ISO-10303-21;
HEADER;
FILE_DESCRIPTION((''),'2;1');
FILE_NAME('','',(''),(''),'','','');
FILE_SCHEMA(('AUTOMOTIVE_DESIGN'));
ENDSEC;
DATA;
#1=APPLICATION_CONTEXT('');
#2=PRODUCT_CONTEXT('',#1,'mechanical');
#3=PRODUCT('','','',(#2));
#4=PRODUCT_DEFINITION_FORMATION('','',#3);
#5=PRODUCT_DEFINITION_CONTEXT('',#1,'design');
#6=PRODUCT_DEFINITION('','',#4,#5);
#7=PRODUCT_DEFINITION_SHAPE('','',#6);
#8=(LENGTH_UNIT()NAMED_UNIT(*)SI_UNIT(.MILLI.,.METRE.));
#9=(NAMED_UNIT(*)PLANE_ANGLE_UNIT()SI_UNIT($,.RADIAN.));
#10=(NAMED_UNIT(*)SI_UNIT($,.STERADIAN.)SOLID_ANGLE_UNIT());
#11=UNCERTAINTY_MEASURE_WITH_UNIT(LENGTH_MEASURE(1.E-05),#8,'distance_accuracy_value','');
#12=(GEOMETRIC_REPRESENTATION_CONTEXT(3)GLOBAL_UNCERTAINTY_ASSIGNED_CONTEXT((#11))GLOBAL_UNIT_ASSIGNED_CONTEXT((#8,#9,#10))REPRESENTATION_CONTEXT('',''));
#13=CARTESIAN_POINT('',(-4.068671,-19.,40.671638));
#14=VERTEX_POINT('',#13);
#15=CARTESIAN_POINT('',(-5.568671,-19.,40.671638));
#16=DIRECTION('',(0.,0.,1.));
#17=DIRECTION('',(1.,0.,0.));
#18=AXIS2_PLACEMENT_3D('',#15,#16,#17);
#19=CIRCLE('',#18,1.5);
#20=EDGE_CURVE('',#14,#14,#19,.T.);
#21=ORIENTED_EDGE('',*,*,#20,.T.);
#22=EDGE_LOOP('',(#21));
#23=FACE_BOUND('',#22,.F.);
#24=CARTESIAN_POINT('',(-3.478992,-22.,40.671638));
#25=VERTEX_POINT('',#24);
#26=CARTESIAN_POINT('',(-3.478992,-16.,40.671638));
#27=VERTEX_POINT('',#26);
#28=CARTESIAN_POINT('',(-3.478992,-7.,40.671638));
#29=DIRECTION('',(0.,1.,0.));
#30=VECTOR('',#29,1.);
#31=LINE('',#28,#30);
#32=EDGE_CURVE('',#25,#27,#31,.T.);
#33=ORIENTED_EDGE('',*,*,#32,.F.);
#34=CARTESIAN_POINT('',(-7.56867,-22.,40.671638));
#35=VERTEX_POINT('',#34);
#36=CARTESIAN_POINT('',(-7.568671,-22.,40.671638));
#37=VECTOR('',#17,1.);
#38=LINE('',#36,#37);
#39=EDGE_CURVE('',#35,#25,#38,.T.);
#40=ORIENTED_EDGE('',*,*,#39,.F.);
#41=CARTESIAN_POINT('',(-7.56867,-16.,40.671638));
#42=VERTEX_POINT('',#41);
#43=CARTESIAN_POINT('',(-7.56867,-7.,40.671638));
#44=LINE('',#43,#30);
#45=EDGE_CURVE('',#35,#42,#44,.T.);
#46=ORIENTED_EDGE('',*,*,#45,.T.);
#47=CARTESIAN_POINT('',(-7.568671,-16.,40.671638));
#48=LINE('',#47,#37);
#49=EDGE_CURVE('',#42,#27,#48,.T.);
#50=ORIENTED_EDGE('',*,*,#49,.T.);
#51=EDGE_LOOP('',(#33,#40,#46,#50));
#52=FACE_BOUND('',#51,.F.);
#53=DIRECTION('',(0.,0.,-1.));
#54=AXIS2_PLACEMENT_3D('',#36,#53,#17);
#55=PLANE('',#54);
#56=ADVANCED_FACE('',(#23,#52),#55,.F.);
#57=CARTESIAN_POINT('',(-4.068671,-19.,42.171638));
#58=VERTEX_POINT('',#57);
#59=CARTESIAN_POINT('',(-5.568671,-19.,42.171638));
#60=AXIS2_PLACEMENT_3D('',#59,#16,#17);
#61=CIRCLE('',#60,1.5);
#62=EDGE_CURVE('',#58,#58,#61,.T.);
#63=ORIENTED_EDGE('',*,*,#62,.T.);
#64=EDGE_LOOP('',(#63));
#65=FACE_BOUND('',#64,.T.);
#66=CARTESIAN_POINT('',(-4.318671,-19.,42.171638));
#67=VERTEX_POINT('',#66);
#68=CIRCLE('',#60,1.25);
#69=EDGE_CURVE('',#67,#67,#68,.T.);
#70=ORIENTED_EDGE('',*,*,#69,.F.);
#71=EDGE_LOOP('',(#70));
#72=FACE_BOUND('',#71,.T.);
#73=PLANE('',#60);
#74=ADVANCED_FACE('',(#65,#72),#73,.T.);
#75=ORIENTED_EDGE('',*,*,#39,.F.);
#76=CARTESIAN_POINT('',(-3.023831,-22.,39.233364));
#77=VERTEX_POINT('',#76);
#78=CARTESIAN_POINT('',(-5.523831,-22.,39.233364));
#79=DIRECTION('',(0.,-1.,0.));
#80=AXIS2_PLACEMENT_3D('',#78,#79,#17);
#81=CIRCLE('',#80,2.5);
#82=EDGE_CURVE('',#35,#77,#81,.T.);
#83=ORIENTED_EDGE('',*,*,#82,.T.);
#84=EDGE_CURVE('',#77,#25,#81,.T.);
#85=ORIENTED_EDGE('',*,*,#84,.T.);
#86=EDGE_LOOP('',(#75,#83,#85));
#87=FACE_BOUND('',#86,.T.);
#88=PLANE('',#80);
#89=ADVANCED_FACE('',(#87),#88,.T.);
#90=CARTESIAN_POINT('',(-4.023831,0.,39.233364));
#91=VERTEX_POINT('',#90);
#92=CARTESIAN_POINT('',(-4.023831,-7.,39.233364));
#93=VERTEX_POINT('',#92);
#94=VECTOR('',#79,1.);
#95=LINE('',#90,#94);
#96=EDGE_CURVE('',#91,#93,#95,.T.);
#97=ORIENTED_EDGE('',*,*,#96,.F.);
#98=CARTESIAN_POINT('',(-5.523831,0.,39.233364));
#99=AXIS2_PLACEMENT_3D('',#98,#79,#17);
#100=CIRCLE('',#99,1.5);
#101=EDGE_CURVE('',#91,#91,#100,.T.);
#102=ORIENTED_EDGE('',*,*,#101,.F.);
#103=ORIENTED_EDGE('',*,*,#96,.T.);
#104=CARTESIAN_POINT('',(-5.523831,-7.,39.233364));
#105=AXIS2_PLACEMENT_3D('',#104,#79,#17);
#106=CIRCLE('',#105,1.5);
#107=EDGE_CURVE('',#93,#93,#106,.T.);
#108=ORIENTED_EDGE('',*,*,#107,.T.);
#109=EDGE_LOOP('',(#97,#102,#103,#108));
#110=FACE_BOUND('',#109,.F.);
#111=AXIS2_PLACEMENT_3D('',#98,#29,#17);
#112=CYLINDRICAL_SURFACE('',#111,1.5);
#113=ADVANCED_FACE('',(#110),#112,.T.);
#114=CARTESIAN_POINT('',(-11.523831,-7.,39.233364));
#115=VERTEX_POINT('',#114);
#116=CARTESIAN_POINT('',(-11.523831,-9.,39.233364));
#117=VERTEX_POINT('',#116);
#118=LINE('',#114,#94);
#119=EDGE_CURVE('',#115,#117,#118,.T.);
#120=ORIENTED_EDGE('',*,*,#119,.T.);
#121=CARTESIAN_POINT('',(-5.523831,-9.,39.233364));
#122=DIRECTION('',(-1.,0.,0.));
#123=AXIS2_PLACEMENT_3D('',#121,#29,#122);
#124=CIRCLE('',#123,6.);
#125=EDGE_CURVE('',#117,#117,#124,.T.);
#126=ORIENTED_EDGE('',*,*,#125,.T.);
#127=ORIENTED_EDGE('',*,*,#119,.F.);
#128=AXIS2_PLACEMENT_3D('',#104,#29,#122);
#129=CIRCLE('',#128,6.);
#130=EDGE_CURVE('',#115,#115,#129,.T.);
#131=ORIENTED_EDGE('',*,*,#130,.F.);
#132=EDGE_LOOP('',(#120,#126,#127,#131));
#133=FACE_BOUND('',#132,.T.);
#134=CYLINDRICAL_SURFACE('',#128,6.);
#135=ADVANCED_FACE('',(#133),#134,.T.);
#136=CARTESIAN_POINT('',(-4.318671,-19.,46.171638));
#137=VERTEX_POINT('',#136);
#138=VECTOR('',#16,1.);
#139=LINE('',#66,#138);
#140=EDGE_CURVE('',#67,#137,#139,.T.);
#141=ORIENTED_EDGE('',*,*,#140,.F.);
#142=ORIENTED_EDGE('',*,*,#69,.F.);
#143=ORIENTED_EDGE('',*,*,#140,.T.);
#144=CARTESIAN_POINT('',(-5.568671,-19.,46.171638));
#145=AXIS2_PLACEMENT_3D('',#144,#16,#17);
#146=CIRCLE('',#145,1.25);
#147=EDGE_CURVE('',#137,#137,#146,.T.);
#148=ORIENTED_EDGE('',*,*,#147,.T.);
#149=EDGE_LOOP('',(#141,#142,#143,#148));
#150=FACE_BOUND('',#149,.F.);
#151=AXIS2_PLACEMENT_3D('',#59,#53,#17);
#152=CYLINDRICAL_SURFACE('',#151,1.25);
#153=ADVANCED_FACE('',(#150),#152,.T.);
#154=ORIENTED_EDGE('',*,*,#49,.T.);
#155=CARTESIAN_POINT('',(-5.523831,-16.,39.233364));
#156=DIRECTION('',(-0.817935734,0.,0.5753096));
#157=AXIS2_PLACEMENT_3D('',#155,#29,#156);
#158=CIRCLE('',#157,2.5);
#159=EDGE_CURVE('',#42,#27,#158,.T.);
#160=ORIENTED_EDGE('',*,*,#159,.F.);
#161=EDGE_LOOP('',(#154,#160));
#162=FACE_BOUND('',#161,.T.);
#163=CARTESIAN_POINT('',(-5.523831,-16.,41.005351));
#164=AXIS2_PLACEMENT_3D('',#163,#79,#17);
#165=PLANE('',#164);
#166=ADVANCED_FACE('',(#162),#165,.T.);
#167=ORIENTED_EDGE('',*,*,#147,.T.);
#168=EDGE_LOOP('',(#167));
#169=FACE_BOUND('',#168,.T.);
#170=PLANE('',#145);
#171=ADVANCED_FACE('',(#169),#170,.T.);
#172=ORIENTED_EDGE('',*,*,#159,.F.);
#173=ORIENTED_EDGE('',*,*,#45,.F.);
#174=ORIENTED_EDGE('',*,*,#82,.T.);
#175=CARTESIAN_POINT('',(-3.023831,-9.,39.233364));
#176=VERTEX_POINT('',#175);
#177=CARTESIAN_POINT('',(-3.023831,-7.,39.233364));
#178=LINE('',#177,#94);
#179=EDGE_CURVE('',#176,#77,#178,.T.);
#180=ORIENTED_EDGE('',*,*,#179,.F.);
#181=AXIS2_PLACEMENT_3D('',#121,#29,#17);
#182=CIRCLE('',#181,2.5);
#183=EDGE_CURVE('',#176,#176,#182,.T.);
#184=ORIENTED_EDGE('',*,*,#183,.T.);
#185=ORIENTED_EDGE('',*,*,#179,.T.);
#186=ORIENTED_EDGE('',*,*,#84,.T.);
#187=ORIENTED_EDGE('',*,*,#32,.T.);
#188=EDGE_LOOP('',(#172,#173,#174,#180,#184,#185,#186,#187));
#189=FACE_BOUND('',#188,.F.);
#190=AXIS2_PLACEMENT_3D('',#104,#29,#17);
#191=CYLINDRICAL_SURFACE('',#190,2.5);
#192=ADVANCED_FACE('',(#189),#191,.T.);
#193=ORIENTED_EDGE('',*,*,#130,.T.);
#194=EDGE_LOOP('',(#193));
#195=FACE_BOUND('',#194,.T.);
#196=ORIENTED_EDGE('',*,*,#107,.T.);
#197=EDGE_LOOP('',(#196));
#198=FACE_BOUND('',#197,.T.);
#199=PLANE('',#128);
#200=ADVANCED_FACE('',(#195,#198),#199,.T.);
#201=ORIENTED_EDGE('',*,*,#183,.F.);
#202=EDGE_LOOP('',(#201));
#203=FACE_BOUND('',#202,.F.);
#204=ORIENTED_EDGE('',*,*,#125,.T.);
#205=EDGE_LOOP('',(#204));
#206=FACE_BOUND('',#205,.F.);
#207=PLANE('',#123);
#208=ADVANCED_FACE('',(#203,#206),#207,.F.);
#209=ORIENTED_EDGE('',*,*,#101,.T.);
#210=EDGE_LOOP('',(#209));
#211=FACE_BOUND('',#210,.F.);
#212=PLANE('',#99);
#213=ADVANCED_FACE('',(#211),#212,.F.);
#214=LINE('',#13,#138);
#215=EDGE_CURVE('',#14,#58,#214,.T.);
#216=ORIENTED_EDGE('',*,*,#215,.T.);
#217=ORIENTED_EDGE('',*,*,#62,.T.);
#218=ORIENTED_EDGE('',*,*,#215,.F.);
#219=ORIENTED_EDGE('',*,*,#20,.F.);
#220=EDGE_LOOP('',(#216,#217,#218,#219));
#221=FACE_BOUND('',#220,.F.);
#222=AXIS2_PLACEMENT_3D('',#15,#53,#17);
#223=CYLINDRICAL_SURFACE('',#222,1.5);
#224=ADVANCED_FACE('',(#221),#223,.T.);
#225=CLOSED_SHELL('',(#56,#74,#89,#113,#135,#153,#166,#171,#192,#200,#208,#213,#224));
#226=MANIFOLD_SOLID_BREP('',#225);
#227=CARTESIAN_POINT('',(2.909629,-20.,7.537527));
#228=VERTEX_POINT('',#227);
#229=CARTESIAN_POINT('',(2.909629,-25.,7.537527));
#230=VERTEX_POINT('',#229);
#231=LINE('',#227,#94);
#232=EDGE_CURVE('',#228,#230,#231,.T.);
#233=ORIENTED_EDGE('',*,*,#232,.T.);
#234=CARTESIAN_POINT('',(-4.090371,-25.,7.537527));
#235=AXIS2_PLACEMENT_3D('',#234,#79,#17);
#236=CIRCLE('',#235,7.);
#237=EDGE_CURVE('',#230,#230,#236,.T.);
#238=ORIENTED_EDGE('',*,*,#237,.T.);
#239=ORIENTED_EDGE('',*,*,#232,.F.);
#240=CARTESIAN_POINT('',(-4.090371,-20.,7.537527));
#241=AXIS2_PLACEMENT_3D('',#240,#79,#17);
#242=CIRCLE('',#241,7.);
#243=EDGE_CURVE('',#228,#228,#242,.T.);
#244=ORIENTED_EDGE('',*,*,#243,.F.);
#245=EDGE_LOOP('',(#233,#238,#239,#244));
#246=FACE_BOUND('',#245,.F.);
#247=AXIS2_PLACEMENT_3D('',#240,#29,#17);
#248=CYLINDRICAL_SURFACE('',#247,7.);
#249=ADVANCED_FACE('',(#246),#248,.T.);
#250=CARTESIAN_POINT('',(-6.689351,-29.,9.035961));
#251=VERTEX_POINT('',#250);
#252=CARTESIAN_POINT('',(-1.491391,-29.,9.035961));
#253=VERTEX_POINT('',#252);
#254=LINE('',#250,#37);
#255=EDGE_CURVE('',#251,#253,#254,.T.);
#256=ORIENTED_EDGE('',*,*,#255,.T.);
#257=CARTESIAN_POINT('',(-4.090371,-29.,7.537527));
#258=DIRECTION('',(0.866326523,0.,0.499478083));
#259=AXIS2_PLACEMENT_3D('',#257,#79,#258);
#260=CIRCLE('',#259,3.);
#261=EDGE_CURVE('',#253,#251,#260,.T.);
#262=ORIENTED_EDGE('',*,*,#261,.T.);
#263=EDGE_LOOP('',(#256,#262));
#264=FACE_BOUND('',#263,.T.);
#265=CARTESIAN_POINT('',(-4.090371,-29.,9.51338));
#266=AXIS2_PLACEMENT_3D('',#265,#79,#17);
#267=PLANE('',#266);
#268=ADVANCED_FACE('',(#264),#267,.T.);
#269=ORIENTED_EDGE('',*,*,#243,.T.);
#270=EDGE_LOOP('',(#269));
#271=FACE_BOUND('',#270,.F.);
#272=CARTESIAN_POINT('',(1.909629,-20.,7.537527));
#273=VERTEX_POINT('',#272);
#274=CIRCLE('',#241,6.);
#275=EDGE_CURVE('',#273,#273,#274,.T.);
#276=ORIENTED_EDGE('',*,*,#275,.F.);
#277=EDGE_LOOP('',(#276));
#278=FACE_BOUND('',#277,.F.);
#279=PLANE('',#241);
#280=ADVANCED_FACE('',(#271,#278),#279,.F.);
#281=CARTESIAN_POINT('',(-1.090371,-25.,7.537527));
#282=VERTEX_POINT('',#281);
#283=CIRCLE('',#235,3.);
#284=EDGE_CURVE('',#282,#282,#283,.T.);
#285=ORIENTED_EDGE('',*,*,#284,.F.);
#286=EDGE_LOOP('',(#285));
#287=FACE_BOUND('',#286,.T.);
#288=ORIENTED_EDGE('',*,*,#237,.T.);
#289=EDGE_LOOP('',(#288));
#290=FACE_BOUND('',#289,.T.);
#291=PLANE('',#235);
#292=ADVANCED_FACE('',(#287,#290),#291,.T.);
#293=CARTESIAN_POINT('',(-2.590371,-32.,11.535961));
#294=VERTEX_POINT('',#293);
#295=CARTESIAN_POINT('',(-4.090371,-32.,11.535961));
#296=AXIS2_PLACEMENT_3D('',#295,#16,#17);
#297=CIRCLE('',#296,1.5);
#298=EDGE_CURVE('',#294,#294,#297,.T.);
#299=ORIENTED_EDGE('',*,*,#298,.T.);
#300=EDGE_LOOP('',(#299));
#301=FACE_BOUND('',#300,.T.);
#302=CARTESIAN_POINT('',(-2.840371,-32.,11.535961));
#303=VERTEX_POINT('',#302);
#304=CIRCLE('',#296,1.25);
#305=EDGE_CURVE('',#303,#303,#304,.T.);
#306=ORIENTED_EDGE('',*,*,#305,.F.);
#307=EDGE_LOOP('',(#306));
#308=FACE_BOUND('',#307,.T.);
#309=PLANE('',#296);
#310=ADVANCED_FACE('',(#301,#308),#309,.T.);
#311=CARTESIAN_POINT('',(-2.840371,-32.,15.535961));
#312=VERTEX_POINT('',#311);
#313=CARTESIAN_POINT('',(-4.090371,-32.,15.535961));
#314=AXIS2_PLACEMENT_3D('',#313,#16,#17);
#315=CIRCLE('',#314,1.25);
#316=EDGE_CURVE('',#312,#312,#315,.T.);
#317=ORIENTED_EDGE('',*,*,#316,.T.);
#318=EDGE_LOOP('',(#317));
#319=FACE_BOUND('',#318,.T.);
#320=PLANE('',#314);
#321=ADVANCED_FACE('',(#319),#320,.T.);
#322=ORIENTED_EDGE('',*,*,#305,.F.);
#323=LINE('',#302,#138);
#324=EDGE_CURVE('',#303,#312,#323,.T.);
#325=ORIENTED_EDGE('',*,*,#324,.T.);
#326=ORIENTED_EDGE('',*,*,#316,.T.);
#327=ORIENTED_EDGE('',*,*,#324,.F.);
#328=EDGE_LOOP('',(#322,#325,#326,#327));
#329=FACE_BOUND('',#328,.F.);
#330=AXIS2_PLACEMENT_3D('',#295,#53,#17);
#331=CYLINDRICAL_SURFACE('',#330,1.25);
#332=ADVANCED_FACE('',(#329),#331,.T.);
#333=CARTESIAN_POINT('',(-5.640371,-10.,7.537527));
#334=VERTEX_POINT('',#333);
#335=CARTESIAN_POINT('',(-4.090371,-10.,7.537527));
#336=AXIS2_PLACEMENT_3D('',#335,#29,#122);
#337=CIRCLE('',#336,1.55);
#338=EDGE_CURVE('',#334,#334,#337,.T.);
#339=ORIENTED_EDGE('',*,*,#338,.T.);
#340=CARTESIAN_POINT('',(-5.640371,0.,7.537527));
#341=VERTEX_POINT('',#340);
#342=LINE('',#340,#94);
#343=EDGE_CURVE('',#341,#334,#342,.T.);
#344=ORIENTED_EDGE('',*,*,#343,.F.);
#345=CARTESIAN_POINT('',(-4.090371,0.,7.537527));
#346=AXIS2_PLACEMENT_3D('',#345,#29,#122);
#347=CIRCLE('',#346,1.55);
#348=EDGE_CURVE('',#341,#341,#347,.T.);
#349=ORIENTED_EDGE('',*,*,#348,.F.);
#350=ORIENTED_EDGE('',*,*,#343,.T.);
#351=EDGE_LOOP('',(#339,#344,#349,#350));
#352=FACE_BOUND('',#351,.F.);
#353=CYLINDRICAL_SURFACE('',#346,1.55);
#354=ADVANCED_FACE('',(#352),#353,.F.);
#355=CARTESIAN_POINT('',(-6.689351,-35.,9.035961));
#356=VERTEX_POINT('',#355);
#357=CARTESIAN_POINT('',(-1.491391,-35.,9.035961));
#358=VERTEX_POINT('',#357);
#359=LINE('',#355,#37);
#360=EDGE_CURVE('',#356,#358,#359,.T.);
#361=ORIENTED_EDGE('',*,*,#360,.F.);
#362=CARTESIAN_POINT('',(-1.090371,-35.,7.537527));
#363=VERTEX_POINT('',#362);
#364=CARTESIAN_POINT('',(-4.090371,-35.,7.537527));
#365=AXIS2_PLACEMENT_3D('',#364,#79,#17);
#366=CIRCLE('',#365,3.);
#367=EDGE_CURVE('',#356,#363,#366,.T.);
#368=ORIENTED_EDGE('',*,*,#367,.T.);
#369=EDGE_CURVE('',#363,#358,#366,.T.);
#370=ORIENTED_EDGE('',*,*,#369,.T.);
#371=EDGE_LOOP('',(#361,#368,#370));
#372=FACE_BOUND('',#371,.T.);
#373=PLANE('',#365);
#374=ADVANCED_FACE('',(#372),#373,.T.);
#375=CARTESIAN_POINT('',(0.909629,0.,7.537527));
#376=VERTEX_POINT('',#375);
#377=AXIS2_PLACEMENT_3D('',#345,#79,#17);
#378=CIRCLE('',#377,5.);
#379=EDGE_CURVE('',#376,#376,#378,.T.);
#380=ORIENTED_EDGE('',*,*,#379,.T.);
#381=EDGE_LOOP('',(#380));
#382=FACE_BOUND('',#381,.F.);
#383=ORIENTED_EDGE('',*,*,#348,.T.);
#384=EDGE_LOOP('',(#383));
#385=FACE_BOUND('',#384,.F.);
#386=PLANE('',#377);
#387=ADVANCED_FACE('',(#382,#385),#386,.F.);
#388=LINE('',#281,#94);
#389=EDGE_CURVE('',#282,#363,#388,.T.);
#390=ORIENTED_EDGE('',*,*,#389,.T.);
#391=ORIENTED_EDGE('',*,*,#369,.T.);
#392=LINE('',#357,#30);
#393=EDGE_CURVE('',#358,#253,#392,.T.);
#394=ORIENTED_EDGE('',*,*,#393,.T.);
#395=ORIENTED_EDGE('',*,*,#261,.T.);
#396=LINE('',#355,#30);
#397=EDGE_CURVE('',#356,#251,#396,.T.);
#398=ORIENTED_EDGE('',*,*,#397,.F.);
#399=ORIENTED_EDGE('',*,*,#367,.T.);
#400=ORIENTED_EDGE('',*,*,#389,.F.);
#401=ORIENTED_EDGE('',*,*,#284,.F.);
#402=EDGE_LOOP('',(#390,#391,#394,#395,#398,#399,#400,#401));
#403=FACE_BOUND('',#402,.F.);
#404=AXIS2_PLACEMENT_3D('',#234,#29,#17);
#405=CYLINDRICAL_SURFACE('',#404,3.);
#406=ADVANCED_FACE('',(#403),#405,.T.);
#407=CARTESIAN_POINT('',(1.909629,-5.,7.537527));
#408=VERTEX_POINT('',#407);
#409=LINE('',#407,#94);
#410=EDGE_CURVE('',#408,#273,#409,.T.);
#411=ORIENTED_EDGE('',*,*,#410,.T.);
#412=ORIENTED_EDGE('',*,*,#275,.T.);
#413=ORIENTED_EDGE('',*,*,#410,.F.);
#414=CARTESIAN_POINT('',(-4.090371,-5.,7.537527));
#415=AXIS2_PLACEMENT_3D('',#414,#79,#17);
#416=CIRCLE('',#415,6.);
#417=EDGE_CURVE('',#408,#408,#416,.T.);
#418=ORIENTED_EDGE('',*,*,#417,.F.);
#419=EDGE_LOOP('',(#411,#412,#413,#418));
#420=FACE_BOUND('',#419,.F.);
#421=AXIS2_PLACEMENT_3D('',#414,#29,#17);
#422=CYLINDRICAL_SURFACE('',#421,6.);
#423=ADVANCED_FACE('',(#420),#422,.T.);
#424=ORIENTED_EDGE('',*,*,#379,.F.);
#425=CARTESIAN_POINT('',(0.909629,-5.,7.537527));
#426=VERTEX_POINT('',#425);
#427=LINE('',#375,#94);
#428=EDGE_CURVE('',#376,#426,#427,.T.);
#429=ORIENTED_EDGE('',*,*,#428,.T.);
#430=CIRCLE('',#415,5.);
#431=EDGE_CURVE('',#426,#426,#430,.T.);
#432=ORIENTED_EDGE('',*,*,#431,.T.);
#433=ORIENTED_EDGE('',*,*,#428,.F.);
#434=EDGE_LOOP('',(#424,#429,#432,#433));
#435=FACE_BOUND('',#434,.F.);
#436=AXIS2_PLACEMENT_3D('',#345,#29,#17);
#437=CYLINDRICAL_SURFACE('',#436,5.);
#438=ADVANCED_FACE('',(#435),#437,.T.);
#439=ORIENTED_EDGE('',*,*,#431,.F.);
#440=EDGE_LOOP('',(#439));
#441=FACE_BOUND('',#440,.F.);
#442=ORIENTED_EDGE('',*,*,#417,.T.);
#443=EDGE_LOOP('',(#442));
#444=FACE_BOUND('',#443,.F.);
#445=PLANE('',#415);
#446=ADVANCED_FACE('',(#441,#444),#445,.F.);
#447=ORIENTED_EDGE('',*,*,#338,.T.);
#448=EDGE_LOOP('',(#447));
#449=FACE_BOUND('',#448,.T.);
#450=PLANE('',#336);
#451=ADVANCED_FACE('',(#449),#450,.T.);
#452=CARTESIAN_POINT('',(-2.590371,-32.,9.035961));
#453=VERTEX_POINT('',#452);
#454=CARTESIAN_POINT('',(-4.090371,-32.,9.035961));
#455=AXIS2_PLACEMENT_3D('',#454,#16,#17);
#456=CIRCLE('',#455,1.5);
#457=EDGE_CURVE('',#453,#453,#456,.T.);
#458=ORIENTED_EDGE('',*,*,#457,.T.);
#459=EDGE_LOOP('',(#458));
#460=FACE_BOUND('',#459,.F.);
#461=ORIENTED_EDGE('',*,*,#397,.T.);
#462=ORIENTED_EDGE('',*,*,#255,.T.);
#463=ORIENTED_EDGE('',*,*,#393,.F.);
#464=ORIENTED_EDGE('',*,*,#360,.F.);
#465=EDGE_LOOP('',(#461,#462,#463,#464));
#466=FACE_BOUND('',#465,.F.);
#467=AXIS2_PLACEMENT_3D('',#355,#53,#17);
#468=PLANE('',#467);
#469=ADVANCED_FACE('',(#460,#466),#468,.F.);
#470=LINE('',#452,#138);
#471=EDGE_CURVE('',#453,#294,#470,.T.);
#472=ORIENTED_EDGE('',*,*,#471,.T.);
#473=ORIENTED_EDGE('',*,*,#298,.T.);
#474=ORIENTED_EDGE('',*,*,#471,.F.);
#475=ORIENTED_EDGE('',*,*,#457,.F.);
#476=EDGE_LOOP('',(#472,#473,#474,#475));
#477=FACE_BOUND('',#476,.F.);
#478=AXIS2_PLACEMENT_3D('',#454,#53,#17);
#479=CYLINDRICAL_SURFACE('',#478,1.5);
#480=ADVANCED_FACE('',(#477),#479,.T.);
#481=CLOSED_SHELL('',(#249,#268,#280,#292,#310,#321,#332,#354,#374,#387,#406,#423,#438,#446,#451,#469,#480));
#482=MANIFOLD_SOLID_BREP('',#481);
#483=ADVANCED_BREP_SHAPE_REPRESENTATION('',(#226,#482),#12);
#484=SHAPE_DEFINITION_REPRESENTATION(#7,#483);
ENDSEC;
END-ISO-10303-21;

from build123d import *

# Parameters (mm, degrees)
F0_R      = 1.5
F1_DEPTH  = 7
F2_R      = 2.5
F2_R_2    = 1.5
F3_DEPTH  = 15
F5_DEPTH  = 6
F6_R      = 1.5
F7_DEPTH  = 1.5
F8_R      = 1.25
F9_DEPTH  = 4
F10_R     = 5
F11_DEPTH = 5
F12_R     = 6
F12_R_2   = 5
F13_DEPTH = 15
F14_R     = 7
F14_R_2   = 6
F15_DEPTH = 5
F16_R     = 3
F17_DEPTH = 10
F19_DEPTH = 6
F20_R     = 1.5
F21_DEPTH = 2.5
F22_R     = 1.25
F23_DEPTH = 4
F24_R     = 1.55
F25_DEPTH = 10
F26_R     = 6
F27_DEPTH = 2


with BuildPart() as f1:
    # F0 (on Front) → F1 (new body)
    with BuildSketch(Plane.XZ):
        with Locations((-5.523831, 39.233364)):
            Circle(F0_R)
    extrude(amount=F1_DEPTH)

    # F2 (on face) → F3 (join)
    with BuildSketch(Plane.XZ.offset(7)):
        with Locations((-5.523831, 39.233364)):
            Circle(F2_R)
        with Locations((-5.523831, 39.233364)):
            Circle(F2_R_2, mode=Mode.SUBTRACT)
        with Locations((-5.523831, 39.233364)):
            Circle(F2_R_2)
    extrude(amount=F3_DEPTH)

    # F4 (on face) → F5 (cut)
    with BuildSketch(Plane.XZ.offset(22)):
        with BuildLine():
            ThreePointArc((-3.478991, 40.671638), (-5.523831, 41.733364), (-7.568671, 40.671638))
            Line((-7.568671, 40.671638), (-3.478991, 40.671638))
        make_face()
    extrude(amount=-F5_DEPTH, mode=Mode.SUBTRACT)

    # F6 (on face) → F7 (join)
    with BuildSketch(Plane.XY.offset(40.671638)):
        with Locations((-5.568671, -19)):
            Circle(F6_R)
    extrude(amount=F7_DEPTH)

    # F8 (on face) → F9 (join)
    with BuildSketch(Plane.XY.offset(42.171638)):
        with Locations((-5.568671, -19)):
            Circle(F8_R)
    extrude(amount=F9_DEPTH)

    # F26 (on face) → F27 (join)
    with BuildSketch(Plane(origin=(0, -7, 0), x_dir=(-1, 0, 0), z_dir=(0, 1, 0))):
        with Locations((5.523831, 39.233364)):
            Circle(F26_R)
    extrude(amount=-F27_DEPTH)


with BuildPart() as f11:
    # F10 (on Front) → F11 (new body)
    with BuildSketch(Plane.XZ):
        with Locations((-4.090371, 7.537527)):
            Circle(F10_R)
    extrude(amount=F11_DEPTH)

    # F12 (on face) → F13 (join)
    with BuildSketch(Plane.XZ.offset(5)):
        with Locations((-4.090371, 7.537527)):
            Circle(F12_R)
        with Locations((-4.090371, 7.537527)):
            Circle(F12_R_2, mode=Mode.SUBTRACT)
        with Locations((-4.090371, 7.537527)):
            Circle(F12_R_2)
    extrude(amount=F13_DEPTH)

    # F14 (on face) → F15 (join)
    with BuildSketch(Plane.XZ.offset(20)):
        with Locations((-4.090371, 7.537527)):
            Circle(F14_R)
        with Locations((-4.090371, 7.537527)):
            Circle(F14_R_2, mode=Mode.SUBTRACT)
        with Locations((-4.090371, 7.537527)):
            Circle(F14_R_2)
    extrude(amount=F15_DEPTH)

    # F16 (on face) → F17 (join)
    with BuildSketch(Plane.XZ.offset(25)):
        with Locations((-4.090371, 7.537527)):
            Circle(F16_R)
    extrude(amount=F17_DEPTH)

    # F18 (on face) → F19 (cut)
    with BuildSketch(Plane.XZ.offset(35)):
        with BuildLine():
            ThreePointArc((-1.491391, 9.035961), (-4.090371, 10.537527), (-6.689351, 9.035961))
            Line((-6.689351, 9.035961), (-1.491391, 9.035961))
        make_face()
    extrude(amount=-F19_DEPTH, mode=Mode.SUBTRACT)

    # F20 (on face) → F21 (join)
    with BuildSketch(Plane.XY.offset(9.035961)):
        with Locations((-4.090371, -32)):
            Circle(F20_R)
    extrude(amount=F21_DEPTH)

    # F22 (on face) → F23 (join)
    with BuildSketch(Plane.XY.offset(11.535961)):
        with Locations((-4.090371, -32)):
            Circle(F22_R)
    extrude(amount=F23_DEPTH)

    # F24 (on face) → F25 (cut)
    with BuildSketch(Plane(origin=(0, 0, 0), x_dir=(-1, 0, 0), z_dir=(0, 1, 0))):
        with Locations((4.090371, 7.537527)):
            Circle(F24_R)
    extrude(amount=-F25_DEPTH, mode=Mode.SUBTRACT)


solid = Compound([f1.part, f11.part])
